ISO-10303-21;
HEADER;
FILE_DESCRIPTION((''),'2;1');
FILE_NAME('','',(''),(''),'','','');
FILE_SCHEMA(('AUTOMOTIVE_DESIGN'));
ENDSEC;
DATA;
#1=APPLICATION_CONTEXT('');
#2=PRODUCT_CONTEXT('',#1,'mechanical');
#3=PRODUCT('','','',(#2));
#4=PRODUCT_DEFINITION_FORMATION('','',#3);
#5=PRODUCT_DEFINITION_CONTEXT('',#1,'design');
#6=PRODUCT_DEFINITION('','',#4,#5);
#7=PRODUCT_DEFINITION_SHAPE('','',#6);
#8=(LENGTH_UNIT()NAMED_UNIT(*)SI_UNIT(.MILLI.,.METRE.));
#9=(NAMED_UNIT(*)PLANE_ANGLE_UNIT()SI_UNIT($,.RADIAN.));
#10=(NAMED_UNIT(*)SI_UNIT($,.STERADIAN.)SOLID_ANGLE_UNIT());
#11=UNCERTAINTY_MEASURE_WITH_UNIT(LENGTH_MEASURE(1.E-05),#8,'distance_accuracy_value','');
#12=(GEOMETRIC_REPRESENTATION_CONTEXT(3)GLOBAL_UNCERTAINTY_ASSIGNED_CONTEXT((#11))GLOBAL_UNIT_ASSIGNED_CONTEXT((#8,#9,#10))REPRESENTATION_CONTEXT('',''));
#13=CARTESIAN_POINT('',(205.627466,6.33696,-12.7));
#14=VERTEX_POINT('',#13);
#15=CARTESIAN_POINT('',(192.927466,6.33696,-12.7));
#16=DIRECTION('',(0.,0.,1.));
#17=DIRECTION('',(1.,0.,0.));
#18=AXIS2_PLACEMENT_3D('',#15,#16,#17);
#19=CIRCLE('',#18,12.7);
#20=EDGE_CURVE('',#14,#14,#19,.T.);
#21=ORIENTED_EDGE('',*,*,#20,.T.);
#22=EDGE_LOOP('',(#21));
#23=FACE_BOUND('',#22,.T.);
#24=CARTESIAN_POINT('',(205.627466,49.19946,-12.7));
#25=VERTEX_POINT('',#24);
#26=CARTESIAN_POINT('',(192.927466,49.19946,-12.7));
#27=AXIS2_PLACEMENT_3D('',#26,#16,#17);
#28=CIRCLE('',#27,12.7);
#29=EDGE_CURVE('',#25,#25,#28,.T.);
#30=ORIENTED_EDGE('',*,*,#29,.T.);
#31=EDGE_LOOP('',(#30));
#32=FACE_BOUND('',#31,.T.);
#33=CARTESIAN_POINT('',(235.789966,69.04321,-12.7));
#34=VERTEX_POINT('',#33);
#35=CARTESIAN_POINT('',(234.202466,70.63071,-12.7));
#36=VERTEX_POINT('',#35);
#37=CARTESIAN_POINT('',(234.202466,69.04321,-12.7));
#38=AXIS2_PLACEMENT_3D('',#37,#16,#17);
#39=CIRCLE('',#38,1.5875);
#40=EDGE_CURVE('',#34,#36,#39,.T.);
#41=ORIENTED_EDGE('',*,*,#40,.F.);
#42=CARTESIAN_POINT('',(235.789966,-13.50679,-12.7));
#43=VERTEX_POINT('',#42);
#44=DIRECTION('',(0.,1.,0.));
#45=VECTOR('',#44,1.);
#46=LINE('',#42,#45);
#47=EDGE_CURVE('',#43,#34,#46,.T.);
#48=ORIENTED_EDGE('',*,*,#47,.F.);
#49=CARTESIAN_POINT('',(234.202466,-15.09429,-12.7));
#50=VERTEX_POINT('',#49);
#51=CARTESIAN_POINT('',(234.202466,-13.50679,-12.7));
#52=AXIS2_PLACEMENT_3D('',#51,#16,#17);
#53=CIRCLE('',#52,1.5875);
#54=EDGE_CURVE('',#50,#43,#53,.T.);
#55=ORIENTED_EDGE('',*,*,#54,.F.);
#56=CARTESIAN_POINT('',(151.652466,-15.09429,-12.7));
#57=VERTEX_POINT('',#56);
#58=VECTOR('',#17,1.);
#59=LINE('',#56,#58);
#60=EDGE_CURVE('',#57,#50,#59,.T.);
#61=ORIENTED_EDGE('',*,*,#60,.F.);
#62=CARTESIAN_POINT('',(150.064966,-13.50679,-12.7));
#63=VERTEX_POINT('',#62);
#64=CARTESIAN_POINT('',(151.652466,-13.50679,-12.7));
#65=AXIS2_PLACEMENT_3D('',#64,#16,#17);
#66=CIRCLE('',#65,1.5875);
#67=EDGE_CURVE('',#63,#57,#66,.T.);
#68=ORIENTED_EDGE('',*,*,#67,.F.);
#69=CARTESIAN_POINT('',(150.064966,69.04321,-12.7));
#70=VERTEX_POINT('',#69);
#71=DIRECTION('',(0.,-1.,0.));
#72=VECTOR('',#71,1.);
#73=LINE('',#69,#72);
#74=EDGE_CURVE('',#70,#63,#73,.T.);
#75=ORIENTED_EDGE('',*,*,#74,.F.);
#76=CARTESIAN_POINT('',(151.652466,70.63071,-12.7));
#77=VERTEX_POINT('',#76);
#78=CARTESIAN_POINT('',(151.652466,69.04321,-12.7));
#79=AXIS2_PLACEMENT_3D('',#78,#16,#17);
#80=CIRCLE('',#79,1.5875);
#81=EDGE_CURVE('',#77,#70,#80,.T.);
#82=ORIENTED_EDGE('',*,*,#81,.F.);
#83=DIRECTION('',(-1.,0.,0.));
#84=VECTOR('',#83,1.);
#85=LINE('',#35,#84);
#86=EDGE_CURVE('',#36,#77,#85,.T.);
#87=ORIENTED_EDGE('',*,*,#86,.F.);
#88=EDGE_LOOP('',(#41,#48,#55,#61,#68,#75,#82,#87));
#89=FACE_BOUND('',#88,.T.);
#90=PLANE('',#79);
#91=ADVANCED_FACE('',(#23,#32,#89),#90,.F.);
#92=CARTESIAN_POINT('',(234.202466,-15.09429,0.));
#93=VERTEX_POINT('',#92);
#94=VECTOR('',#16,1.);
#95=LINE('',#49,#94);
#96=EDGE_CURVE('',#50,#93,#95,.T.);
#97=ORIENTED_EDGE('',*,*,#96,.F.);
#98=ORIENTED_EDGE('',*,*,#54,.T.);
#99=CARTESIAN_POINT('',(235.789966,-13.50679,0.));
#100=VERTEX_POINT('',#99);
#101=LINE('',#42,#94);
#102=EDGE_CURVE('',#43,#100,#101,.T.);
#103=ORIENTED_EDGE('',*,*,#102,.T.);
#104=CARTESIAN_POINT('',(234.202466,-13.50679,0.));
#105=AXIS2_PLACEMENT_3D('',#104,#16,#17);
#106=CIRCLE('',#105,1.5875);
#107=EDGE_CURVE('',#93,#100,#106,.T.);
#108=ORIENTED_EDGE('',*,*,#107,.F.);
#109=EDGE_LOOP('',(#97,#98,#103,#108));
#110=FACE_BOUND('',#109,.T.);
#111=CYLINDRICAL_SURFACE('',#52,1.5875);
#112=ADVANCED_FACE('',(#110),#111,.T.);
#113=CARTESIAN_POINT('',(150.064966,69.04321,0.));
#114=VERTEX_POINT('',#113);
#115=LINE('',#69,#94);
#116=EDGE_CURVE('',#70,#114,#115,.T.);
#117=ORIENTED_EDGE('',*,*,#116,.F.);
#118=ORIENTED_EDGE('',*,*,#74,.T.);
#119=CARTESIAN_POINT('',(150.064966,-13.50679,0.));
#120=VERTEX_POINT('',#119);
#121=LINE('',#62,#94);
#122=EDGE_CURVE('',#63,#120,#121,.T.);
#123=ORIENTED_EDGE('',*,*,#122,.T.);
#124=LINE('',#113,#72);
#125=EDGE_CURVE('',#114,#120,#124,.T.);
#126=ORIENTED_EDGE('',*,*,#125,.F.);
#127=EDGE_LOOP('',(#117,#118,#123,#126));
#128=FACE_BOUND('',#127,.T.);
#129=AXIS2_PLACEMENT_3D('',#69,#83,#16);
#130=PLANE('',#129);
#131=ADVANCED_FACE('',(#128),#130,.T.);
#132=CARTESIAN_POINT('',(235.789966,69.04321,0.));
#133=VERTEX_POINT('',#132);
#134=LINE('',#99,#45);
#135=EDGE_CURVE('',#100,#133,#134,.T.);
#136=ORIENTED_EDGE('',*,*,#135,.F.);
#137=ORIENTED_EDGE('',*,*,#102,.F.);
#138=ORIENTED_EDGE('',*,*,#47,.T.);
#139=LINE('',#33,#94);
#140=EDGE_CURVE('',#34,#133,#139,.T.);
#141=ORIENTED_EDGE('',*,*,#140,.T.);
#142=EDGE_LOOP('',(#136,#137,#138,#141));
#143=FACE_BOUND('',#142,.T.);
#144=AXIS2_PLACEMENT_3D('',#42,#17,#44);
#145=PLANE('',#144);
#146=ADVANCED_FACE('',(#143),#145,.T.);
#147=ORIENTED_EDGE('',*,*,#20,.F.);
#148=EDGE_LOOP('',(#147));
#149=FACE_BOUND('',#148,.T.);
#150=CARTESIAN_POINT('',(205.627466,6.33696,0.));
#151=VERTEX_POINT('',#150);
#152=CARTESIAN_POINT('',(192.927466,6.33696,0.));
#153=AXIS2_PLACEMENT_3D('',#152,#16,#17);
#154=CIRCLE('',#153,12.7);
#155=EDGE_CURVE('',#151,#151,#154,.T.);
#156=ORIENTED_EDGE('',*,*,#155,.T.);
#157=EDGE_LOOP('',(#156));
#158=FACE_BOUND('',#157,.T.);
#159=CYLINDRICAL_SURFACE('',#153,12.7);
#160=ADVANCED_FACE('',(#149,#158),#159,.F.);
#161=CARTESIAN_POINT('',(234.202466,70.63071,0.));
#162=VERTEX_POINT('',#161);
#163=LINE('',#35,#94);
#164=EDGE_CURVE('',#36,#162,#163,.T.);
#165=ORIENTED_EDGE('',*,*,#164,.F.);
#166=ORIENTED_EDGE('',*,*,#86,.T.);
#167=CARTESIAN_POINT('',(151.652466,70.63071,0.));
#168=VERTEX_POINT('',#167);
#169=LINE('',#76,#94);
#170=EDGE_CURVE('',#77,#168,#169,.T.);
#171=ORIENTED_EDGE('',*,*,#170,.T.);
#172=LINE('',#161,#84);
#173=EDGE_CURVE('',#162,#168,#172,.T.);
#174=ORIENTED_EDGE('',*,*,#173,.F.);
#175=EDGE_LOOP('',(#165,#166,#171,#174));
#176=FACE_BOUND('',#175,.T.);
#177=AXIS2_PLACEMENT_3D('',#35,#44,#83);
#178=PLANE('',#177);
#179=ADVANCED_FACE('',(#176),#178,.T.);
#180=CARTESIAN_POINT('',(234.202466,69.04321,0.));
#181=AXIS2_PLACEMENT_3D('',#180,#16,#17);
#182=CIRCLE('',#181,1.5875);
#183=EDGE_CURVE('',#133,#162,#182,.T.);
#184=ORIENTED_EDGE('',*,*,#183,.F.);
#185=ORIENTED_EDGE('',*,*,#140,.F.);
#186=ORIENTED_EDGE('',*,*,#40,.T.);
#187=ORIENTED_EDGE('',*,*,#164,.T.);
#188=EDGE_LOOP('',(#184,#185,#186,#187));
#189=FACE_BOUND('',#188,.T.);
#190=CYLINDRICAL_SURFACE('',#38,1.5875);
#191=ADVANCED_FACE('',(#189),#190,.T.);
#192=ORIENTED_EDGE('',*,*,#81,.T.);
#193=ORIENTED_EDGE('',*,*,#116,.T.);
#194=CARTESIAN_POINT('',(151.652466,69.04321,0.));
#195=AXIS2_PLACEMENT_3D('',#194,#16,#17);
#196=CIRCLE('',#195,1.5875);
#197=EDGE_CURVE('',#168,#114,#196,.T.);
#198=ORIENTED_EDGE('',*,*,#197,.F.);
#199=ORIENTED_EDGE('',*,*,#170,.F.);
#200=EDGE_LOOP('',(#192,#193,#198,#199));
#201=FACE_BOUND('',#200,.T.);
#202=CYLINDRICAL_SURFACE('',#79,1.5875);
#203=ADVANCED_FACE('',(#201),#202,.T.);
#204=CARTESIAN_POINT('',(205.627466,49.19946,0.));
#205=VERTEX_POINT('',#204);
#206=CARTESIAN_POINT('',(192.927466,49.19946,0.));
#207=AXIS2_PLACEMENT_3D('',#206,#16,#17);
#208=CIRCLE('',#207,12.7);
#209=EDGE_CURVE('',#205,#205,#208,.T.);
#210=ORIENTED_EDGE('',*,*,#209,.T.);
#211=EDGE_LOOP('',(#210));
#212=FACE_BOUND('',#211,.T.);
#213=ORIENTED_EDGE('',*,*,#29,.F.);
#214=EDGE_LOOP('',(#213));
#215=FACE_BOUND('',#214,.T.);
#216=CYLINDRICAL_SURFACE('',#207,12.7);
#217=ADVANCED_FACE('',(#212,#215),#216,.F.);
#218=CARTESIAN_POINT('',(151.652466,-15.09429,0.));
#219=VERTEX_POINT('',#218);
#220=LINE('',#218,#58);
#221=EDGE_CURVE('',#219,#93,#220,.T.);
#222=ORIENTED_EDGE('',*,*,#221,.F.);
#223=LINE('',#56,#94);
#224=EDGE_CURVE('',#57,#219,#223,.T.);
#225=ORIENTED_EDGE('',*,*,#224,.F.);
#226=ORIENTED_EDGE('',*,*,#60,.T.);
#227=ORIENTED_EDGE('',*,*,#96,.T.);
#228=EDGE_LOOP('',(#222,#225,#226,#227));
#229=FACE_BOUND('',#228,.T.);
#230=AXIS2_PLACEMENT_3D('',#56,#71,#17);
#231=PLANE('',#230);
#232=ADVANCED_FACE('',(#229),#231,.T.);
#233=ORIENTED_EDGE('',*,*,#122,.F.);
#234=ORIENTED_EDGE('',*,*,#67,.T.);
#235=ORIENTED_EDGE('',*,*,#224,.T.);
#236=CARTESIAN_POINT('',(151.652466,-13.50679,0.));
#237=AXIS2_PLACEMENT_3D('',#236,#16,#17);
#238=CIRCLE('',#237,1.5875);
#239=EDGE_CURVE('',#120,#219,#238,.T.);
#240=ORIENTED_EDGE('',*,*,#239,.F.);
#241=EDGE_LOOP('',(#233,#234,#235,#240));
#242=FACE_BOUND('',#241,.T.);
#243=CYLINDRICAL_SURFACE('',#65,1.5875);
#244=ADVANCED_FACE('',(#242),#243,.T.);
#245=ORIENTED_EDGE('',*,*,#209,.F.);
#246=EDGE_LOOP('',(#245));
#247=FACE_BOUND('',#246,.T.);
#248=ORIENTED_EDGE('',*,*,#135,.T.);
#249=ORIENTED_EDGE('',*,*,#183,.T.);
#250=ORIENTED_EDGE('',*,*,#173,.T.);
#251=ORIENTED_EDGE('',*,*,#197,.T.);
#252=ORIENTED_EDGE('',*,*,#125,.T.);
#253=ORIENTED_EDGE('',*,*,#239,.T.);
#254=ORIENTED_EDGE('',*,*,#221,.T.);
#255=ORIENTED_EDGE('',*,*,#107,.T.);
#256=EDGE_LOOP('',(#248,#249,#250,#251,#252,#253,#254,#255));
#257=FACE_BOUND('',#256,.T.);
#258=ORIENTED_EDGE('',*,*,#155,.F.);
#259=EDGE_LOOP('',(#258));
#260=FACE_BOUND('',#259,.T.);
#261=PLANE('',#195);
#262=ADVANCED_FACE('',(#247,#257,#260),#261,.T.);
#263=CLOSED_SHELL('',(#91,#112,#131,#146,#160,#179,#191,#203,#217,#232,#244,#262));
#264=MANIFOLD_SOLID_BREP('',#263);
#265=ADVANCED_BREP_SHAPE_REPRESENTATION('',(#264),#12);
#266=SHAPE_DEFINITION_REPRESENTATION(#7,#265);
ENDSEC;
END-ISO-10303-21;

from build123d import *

# Parameters (mm, degrees)
BOSS_EXTRUDE1_DEPTH        = 12.7
F_1_1_DIAMETER_HOLE1_D     = 25.4
F_1_1_DIAMETER_HOLE1_DEPTH = 12.7


with BuildPart() as part:
    # Sketch1 → Boss-Extrude1 (new body)
    with BuildSketch(Plane.XY):
        with BuildLine():
            Line((150.064965963, 69.04320968), (150.064965963, -13.50679032))
            ThreePointArc((150.064965963, -13.50679032), (150.529933948, -14.629322335), (151.652465963, -15.09429032))
            Line((151.652465963, -15.09429032), (234.202465963, -15.09429032))
            ThreePointArc((234.202465963, -15.09429032), (235.324997978, -14.629322335), (235.789965963, -13.50679032))
            Line((235.789965963, -13.50679032), (235.789965963, 69.04320968))
            ThreePointArc((235.789965963, 69.04320968), (235.324997978, 70.165741695), (234.202465963, 70.63070968))
            Line((234.202465963, 70.63070968), (151.652465963, 70.63070968))
            ThreePointArc((151.652465963, 70.63070968), (150.529933948, 70.165741695), (150.064965963, 69.04320968))
        make_face()
    extrude(amount=-BOSS_EXTRUDE1_DEPTH)

    # 1 (1) Diameter Hole1
    with Locations(Plane.XY):
        with Locations((192.927465963, 6.33695968), (192.927465963, 49.19945968)):
            Hole(F_1_1_DIAMETER_HOLE1_D / 2, depth=F_1_1_DIAMETER_HOLE1_DEPTH)


solid = part.part
